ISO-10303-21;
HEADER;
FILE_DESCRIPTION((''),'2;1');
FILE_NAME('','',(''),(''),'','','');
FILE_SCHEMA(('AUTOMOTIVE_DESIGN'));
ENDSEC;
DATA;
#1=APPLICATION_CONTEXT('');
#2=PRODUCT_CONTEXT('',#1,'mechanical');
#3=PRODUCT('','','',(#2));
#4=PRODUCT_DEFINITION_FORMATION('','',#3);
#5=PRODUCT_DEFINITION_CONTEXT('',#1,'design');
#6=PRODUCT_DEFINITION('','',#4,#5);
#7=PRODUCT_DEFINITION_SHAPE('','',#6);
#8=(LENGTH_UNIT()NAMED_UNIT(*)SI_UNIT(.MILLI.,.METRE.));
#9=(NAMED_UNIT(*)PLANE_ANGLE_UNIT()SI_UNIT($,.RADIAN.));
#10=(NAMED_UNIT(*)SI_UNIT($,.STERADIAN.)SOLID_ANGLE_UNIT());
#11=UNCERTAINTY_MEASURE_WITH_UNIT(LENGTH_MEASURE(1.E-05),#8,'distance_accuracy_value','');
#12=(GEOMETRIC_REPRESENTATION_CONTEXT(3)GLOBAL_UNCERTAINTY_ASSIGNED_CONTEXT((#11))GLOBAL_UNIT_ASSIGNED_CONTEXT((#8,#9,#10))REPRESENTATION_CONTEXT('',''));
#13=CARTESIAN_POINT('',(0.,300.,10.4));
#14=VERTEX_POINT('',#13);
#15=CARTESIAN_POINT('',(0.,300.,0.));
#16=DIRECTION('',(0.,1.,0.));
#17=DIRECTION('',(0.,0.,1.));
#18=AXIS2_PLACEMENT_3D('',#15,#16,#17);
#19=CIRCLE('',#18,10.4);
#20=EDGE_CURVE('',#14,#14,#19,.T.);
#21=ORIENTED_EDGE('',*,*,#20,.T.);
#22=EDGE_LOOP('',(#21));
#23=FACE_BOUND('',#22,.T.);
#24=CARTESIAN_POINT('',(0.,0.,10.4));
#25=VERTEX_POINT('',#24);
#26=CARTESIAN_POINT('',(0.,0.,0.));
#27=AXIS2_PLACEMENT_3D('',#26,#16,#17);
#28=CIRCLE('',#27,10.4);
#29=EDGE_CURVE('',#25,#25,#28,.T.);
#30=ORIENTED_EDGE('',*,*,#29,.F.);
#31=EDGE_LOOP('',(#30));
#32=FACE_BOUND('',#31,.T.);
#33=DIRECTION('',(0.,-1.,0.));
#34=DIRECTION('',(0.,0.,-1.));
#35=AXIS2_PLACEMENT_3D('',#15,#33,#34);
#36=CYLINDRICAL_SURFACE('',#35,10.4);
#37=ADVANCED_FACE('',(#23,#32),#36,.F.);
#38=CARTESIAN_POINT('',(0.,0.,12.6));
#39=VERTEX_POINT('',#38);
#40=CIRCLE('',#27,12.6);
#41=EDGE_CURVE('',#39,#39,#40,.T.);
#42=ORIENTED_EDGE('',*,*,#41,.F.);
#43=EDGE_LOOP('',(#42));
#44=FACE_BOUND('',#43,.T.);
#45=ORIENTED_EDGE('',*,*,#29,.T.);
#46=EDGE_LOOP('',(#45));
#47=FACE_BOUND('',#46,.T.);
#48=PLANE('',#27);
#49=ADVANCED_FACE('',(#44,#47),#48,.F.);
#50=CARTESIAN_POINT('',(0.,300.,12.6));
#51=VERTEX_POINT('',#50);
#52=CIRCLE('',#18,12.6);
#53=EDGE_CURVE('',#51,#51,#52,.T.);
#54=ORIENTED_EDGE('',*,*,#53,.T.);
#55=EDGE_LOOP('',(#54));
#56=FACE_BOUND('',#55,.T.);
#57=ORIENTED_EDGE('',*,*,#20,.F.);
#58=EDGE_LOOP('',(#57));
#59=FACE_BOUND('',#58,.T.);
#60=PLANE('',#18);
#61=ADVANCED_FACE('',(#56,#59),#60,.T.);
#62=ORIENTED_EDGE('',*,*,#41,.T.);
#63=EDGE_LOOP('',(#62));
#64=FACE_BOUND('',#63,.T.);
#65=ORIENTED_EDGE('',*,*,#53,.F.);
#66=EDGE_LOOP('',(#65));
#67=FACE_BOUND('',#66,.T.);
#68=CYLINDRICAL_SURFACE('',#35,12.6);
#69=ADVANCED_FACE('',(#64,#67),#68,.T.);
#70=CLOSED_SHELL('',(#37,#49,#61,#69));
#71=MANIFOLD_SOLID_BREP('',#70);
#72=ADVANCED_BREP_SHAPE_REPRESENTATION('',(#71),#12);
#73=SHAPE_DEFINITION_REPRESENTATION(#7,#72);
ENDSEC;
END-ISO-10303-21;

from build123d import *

# Parameters (mm, degrees)
SKETCH_1_R      = 12.6
EXTRUDE_1_DEPTH = 300
SHELL_1_T       = -2.2


with BuildPart() as part:
    # 스케치1 → 보스-돌출1 (new body)
    with BuildSketch(Plane(origin=(0, 0, 0), x_dir=(1, 0, 0), z_dir=(0, 1, 0))):
        with Locations(Location((0, 0, 0), (0, 0, 270))):
            Circle(SKETCH_1_R)
    extrude(amount=EXTRUDE_1_DEPTH)

    # 쉘1
    shell_1_openings = [part.faces().sort_by_distance(p)[0] for p in [
        (0, 300, 0),
        (0, 0, 0),
    ]]
    offset(amount=SHELL_1_T, openings=shell_1_openings, kind=Kind.INTERSECTION)


solid = part.part
